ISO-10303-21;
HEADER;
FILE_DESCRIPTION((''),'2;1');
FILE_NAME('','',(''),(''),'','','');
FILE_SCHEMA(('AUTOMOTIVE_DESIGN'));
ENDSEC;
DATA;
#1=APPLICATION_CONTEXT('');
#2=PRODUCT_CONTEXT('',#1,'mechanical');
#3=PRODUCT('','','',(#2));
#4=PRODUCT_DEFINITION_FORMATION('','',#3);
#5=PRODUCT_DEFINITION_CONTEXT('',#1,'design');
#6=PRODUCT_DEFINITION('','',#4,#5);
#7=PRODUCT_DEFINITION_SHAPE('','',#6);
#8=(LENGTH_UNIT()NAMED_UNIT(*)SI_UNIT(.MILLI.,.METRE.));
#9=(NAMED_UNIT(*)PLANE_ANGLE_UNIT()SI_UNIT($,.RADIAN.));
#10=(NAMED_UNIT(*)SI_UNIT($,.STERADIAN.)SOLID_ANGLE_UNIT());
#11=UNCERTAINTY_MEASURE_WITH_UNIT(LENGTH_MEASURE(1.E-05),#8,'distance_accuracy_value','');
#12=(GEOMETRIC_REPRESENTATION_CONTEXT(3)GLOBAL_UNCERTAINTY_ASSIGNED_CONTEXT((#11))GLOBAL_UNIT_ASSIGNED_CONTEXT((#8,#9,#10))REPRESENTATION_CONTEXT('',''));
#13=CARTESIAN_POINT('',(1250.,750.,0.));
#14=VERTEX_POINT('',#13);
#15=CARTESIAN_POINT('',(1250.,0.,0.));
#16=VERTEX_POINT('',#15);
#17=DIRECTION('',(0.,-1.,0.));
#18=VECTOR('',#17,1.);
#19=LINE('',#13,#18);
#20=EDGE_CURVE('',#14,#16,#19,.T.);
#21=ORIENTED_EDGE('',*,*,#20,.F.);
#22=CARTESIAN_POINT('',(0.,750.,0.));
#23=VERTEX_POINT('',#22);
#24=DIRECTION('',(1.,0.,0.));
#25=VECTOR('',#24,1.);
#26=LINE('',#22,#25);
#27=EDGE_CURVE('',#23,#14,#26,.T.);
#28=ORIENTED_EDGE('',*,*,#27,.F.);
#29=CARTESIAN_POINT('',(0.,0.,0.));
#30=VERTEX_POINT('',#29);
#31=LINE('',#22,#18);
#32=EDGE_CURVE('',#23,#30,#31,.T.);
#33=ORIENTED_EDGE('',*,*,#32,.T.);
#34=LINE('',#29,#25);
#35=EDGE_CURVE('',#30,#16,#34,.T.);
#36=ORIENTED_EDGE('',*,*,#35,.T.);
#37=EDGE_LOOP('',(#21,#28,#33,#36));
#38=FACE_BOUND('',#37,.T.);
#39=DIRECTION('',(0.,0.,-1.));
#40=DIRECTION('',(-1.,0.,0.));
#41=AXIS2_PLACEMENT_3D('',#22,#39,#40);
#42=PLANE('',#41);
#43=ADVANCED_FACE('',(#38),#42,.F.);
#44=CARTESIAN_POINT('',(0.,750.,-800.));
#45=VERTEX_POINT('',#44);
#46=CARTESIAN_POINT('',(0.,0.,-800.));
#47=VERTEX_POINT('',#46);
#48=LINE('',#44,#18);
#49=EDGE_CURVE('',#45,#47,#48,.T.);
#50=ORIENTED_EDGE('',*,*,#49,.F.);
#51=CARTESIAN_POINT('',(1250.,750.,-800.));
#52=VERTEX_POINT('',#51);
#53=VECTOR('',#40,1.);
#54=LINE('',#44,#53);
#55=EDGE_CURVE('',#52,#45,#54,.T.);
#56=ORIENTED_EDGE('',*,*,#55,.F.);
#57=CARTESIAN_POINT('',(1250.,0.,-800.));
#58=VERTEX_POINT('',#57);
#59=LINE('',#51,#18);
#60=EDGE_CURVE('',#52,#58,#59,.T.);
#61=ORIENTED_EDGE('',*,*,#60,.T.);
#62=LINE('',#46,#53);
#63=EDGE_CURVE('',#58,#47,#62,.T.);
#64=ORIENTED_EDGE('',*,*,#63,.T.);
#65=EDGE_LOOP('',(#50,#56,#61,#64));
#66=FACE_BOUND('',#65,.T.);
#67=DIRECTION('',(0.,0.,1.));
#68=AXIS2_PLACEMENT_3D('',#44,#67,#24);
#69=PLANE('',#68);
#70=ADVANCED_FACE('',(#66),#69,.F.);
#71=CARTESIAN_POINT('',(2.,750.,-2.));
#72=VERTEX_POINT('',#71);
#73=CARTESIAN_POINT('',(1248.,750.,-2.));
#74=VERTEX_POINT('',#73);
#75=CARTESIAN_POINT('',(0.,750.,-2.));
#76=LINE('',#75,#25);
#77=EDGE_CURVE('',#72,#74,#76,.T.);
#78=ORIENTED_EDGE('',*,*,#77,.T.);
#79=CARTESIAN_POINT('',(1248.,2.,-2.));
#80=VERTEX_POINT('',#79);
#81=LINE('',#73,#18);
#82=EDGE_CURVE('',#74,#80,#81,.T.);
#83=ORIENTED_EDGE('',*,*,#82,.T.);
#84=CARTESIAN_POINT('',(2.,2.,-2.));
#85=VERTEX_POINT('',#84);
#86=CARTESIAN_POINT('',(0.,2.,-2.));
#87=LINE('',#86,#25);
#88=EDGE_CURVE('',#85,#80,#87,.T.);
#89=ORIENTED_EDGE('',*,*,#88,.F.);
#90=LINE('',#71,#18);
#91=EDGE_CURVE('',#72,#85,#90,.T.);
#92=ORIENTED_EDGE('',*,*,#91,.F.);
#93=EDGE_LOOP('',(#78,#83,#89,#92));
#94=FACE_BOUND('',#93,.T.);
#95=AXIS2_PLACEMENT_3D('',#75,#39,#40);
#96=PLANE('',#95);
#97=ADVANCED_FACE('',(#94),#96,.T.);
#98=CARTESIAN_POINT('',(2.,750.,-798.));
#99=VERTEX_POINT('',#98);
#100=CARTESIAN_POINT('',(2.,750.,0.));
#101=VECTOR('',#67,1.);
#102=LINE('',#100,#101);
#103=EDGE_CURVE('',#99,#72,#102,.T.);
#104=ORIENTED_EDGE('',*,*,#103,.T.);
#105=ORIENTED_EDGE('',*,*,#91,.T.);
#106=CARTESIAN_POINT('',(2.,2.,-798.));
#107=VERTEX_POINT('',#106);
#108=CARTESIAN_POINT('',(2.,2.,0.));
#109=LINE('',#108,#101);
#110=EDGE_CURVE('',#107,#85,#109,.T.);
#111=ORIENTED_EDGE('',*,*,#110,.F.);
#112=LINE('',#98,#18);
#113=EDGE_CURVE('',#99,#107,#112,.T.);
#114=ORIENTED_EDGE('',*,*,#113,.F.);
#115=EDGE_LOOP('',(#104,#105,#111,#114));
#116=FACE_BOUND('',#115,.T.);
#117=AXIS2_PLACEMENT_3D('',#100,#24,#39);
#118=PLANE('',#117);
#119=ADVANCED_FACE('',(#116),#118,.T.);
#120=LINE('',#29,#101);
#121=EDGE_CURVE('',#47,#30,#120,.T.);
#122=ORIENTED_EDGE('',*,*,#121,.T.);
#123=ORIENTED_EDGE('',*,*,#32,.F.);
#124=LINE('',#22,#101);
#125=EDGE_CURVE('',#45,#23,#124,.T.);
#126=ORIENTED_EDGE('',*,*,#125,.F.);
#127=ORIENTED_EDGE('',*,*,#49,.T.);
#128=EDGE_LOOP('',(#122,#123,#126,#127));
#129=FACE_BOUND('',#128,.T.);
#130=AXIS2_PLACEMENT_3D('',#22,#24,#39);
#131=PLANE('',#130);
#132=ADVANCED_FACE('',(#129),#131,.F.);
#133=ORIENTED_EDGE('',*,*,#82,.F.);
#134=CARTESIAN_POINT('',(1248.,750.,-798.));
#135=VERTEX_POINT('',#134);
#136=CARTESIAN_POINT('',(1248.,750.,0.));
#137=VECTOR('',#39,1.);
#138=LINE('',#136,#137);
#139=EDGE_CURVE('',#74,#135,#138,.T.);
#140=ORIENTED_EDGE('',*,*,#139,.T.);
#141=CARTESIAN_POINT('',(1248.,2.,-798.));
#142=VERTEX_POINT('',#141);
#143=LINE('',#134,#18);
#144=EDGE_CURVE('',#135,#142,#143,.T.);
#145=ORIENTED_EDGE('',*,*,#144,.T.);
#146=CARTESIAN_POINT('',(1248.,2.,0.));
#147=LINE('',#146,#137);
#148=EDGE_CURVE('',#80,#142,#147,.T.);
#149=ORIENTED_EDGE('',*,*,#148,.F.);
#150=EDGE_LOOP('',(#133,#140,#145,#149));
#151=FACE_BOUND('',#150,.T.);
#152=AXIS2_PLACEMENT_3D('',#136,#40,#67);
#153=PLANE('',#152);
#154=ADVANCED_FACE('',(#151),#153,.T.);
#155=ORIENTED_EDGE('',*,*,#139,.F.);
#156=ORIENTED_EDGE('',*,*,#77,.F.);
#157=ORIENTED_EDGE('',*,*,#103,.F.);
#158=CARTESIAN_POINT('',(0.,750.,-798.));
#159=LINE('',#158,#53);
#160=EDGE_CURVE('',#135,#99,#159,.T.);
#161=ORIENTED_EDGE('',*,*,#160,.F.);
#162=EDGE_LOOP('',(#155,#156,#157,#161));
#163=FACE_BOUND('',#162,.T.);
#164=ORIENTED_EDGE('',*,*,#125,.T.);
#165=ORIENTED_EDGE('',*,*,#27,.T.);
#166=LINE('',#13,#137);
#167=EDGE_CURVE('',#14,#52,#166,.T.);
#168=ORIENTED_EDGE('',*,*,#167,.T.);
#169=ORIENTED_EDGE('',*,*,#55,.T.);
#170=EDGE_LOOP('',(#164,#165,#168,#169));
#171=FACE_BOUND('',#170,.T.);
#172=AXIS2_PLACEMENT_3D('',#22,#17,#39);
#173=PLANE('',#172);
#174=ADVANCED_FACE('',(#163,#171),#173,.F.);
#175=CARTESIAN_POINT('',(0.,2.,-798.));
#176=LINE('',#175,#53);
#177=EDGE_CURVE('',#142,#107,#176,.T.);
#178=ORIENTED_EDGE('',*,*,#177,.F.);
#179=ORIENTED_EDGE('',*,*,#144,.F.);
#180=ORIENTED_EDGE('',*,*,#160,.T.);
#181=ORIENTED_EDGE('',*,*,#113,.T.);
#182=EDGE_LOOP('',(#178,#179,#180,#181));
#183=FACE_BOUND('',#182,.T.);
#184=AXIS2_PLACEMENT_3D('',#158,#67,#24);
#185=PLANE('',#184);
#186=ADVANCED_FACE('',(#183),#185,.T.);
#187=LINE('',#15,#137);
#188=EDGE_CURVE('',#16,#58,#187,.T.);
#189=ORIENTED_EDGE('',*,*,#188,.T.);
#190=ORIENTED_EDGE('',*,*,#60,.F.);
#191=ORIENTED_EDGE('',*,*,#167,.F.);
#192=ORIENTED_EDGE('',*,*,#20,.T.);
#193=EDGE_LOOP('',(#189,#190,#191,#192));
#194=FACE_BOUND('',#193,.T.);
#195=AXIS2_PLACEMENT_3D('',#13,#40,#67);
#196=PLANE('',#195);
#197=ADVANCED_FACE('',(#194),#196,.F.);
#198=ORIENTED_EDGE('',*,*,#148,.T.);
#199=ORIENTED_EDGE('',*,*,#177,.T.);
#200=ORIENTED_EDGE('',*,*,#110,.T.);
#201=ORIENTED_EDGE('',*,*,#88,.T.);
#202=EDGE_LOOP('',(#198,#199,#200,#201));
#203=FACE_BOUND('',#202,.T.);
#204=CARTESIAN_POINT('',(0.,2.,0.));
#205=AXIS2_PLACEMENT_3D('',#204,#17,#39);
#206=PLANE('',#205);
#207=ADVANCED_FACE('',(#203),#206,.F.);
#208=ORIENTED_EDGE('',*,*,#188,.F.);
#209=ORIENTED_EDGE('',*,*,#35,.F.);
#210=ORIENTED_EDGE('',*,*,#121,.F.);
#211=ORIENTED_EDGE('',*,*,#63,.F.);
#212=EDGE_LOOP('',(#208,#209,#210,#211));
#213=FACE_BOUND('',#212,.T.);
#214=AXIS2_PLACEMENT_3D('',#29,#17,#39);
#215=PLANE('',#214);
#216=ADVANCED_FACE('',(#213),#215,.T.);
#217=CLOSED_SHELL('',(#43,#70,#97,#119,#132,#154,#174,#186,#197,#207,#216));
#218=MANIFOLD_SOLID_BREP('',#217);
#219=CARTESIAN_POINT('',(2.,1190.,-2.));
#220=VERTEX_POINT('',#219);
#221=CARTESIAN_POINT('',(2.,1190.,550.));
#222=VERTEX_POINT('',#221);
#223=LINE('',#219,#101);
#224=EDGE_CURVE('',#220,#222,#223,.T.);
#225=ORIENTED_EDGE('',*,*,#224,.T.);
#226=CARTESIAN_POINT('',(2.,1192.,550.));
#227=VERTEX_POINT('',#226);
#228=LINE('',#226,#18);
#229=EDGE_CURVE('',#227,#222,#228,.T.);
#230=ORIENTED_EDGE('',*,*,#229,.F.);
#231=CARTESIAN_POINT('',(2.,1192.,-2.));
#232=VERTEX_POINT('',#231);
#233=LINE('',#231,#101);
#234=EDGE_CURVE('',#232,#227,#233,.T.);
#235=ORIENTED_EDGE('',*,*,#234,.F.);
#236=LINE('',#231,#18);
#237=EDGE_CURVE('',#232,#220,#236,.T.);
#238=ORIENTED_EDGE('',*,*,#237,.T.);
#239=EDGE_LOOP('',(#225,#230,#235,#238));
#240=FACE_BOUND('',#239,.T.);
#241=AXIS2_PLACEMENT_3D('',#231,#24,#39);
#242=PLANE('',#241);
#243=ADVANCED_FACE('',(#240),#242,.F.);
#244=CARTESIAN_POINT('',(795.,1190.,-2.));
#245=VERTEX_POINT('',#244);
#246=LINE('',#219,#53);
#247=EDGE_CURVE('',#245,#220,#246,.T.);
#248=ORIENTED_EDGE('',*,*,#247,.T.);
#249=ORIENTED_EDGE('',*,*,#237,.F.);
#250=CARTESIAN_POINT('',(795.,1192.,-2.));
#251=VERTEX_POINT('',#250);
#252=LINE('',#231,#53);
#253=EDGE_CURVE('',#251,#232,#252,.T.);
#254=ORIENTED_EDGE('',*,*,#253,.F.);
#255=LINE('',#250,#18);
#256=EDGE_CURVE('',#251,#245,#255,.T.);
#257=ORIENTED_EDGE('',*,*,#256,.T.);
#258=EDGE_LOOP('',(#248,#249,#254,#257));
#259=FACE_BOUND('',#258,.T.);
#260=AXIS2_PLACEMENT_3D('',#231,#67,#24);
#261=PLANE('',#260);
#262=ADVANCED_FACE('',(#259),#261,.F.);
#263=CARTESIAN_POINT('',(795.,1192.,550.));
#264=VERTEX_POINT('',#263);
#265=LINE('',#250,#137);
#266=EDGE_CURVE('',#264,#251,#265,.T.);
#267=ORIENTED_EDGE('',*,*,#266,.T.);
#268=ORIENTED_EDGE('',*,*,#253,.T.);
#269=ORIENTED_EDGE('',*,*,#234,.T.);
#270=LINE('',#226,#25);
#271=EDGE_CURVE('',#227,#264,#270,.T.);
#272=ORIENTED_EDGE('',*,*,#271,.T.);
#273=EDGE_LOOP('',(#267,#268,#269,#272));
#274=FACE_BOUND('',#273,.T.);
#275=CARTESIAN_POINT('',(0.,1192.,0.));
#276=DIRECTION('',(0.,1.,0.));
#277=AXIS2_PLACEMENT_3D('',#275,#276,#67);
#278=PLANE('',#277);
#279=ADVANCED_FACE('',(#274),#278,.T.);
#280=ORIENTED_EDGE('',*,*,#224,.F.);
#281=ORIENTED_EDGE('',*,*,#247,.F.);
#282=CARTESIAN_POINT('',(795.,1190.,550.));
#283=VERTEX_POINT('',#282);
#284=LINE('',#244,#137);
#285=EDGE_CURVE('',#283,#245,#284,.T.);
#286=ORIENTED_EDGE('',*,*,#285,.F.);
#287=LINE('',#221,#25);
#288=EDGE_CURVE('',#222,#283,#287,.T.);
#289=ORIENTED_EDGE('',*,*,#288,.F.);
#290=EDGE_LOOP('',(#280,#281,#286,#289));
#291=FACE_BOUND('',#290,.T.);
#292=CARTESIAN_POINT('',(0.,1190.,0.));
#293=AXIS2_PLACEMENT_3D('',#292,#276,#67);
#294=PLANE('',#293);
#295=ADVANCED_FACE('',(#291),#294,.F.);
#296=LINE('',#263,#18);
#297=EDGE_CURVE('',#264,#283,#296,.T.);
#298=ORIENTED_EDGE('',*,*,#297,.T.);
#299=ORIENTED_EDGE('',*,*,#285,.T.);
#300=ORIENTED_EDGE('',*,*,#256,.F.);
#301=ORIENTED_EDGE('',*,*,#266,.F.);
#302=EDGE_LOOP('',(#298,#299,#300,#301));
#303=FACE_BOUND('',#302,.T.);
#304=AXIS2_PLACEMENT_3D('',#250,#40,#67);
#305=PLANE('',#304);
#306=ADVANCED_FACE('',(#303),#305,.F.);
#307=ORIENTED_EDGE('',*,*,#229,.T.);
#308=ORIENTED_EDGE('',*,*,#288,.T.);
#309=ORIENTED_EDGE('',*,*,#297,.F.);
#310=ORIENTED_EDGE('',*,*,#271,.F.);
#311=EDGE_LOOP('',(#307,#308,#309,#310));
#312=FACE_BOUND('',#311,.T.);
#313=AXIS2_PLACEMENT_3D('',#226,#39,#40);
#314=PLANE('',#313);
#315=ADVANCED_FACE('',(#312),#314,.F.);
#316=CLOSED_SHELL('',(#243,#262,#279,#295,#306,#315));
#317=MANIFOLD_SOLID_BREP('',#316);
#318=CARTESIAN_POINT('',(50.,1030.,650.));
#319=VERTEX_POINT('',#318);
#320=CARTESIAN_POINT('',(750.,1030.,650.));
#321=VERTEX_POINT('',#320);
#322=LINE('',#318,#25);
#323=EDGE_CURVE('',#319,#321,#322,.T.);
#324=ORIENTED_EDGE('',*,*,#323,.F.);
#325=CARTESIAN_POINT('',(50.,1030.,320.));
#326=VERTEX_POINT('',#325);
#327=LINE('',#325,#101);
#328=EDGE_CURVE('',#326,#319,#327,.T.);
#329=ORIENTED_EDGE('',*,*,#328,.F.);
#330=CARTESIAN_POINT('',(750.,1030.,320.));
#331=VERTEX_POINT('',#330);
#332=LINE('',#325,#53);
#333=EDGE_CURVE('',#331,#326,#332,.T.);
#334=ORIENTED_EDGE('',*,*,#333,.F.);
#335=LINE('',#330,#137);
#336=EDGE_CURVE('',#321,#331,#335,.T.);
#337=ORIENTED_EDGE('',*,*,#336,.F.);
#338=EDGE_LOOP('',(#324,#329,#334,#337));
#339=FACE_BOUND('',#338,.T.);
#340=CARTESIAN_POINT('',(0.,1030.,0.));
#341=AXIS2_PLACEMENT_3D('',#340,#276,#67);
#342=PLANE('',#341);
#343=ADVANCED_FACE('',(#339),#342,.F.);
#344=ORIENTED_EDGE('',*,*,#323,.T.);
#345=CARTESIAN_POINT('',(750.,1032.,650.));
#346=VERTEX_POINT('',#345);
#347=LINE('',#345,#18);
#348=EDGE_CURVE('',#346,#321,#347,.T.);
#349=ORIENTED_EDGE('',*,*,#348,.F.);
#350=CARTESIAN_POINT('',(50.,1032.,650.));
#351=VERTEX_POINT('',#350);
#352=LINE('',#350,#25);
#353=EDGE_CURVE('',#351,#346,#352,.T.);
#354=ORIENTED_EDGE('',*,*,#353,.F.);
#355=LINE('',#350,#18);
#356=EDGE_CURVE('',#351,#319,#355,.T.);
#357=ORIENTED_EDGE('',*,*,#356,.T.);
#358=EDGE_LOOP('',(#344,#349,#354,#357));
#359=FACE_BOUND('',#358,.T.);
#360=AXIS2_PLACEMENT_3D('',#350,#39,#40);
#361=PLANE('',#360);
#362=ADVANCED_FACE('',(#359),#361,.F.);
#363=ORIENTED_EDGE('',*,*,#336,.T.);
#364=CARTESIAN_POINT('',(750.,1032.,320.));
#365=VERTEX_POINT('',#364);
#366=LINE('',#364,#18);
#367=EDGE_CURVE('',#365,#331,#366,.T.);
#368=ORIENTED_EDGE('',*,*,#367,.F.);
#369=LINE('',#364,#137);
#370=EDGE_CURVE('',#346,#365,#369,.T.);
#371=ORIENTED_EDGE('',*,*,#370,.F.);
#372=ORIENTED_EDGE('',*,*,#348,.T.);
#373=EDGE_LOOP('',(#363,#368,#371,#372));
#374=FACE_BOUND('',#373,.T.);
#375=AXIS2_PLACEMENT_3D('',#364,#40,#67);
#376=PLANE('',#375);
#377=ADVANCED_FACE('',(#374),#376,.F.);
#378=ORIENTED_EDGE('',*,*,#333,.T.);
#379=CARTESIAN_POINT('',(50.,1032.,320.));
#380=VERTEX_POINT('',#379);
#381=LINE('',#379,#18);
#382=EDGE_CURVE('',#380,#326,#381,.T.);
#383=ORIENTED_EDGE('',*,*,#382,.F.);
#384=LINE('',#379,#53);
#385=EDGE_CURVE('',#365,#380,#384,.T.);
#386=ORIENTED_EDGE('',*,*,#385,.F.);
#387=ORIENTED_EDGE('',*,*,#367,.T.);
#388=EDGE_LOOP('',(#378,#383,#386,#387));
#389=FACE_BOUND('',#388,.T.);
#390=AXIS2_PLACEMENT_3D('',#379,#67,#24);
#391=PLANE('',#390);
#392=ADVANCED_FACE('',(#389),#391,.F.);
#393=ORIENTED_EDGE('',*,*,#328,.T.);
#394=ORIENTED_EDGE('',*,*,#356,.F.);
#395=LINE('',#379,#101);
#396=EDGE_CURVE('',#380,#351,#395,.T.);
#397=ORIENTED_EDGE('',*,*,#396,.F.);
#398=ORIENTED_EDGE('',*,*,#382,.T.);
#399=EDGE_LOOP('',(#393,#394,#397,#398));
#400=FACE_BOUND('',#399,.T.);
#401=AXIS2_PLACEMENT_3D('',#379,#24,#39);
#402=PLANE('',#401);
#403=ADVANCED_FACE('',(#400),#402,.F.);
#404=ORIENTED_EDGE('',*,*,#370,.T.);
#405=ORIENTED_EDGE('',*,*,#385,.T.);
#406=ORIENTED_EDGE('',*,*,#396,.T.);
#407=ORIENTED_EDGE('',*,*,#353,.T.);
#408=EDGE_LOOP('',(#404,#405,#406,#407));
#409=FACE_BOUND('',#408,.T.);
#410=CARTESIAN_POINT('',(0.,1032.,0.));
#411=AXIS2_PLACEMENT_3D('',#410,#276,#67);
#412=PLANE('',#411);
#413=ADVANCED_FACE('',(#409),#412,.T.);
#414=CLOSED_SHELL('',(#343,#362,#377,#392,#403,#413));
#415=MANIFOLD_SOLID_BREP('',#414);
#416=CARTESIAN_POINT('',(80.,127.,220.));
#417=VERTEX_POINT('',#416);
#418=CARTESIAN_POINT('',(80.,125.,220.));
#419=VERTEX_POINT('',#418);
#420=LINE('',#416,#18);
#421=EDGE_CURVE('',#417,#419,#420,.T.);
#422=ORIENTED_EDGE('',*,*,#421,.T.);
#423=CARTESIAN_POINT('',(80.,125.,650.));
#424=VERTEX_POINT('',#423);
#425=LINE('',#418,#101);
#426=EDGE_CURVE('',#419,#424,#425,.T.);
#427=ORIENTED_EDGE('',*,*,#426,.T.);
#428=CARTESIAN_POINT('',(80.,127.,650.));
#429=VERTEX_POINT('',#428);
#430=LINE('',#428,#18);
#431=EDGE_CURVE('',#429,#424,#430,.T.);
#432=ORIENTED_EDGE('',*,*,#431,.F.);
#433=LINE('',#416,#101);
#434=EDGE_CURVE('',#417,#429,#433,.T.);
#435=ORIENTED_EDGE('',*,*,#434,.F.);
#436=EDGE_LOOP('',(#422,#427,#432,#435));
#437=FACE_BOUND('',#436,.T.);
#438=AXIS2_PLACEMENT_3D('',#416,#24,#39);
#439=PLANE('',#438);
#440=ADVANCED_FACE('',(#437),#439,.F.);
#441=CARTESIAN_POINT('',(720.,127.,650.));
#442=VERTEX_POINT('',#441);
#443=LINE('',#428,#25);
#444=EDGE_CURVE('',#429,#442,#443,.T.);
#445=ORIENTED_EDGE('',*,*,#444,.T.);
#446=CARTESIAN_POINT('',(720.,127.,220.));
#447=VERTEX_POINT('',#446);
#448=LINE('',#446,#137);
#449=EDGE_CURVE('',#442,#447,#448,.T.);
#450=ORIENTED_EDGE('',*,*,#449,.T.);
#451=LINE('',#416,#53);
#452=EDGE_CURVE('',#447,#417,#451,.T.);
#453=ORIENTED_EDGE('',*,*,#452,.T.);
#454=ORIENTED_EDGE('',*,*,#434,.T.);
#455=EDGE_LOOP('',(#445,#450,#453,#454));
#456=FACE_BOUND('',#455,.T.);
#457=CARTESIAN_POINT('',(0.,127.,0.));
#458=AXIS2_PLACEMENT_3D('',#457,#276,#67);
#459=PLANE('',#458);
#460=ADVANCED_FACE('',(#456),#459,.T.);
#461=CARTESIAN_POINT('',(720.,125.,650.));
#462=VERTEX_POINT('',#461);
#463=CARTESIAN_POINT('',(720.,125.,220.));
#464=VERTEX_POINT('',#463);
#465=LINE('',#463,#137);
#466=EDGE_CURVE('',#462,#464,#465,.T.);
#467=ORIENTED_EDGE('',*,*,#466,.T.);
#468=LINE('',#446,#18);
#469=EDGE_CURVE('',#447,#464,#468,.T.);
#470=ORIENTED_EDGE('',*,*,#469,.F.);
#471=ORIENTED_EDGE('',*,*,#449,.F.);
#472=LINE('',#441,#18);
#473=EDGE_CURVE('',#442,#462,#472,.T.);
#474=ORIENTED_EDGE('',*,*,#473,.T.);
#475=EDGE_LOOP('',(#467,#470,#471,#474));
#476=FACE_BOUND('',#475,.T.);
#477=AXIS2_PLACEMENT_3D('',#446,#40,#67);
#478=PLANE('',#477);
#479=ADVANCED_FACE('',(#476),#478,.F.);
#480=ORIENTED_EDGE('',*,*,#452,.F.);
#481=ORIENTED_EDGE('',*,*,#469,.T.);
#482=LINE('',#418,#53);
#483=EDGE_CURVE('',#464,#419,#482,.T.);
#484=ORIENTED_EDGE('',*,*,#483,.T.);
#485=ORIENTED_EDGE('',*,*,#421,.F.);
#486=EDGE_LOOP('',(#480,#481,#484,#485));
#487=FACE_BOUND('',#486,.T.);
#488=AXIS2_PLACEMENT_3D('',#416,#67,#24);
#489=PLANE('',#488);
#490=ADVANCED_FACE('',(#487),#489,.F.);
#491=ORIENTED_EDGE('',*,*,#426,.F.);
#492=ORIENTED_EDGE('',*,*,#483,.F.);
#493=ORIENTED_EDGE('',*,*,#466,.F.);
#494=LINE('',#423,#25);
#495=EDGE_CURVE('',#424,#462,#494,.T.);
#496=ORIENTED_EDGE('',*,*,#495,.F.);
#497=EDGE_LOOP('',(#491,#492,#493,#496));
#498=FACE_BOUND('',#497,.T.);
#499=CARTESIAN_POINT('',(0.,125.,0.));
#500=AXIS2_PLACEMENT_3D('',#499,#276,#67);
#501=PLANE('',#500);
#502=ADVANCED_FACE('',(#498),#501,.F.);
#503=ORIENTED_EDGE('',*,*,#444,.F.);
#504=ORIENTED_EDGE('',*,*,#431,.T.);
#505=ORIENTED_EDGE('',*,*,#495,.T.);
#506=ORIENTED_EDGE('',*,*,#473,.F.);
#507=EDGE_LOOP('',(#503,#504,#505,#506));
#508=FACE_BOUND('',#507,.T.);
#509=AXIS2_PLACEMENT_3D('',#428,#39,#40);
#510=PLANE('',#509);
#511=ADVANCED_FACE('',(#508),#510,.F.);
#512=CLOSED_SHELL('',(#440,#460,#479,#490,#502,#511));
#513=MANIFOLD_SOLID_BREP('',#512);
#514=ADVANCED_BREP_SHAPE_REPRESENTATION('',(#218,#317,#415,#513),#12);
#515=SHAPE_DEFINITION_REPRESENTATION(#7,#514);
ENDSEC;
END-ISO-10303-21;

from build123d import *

# Parameters (mm, degrees)
MASTER_FOOTPRINT_W            = 1250
MASTER_FOOTPRINT_H            = 800
BATH_BASE_PLATE_DEPTH         = 750
BATH_SHELL_2MM_T              = -2
INLET_IMPACT_BAFFLE_START     = 125
SKETCH_1_W                    = 640
SKETCH_1_H                    = 430
INLET_IMPACT_BAFFLE_DEPTH     = 2
OUTLET_SUBMERGED_BAFFLE_START = 1030
SKETCH_3_W                    = 700
SKETCH_3_H                    = 330
OUTLET_SUBMERGED_BAFFLE_DEPTH = 2
OVERFLOW_WEIR_Z550_START      = 1190
SKETCH_4_W                    = 793
SKETCH_4_H                    = 552
OVERFLOW_WEIR_Z550_DEPTH      = 2


with BuildPart() as part:
    # MASTER_FOOTPRINT → BATH_BASE_PLATE (new body)
    with BuildSketch(Plane(origin=(0, 0, 0), x_dir=(1, 0, 0), z_dir=(0, 1, 0))):
        with Locations((625, 400)):
            Rectangle(MASTER_FOOTPRINT_W, MASTER_FOOTPRINT_H)
    extrude(amount=BATH_BASE_PLATE_DEPTH)

    # BATH_SHELL_2MM
    bath_shell_2mm_openings = [part.faces().sort_by_distance(p)[0] for p in [
        (625, 750, -400),
    ]]
    offset(amount=BATH_SHELL_2MM_T, openings=bath_shell_2mm_openings, kind=Kind.INTERSECTION)


with BuildPart() as body_2:
    # Эскиз1 → INLET_IMPACT_BAFFLE (new body)
    with BuildSketch(Plane(origin=(0, 0, 0), x_dir=(1, 0, 0), z_dir=(0, 1, 0)).offset(INLET_IMPACT_BAFFLE_START)):
        with Locations((400, -435)):
            Rectangle(SKETCH_1_W, SKETCH_1_H)
    extrude(amount=INLET_IMPACT_BAFFLE_DEPTH)


with BuildPart() as body_3:
    # Эскиз3 → OUTLET_SUBMERGED_BAFFLE (new body)
    with BuildSketch(Plane(origin=(0, 0, 0), x_dir=(1, 0, 0), z_dir=(0, 1, 0)).offset(OUTLET_SUBMERGED_BAFFLE_START)):
        with Locations((400, -485)):
            Rectangle(SKETCH_3_W, SKETCH_3_H)
    extrude(amount=OUTLET_SUBMERGED_BAFFLE_DEPTH)


with BuildPart() as body_4:
    # Эскиз4 → OVERFLOW_WEIR_Z550 (new body)
    with BuildSketch(Plane(origin=(0, 0, 0), x_dir=(1, 0, 0), z_dir=(0, 1, 0)).offset(OVERFLOW_WEIR_Z550_START)):
        with Locations((398.5, -274)):
            Rectangle(SKETCH_4_W, SKETCH_4_H)
    extrude(amount=OVERFLOW_WEIR_Z550_DEPTH)


solid = Compound([part.part, body_2.part, body_3.part, body_4.part])
